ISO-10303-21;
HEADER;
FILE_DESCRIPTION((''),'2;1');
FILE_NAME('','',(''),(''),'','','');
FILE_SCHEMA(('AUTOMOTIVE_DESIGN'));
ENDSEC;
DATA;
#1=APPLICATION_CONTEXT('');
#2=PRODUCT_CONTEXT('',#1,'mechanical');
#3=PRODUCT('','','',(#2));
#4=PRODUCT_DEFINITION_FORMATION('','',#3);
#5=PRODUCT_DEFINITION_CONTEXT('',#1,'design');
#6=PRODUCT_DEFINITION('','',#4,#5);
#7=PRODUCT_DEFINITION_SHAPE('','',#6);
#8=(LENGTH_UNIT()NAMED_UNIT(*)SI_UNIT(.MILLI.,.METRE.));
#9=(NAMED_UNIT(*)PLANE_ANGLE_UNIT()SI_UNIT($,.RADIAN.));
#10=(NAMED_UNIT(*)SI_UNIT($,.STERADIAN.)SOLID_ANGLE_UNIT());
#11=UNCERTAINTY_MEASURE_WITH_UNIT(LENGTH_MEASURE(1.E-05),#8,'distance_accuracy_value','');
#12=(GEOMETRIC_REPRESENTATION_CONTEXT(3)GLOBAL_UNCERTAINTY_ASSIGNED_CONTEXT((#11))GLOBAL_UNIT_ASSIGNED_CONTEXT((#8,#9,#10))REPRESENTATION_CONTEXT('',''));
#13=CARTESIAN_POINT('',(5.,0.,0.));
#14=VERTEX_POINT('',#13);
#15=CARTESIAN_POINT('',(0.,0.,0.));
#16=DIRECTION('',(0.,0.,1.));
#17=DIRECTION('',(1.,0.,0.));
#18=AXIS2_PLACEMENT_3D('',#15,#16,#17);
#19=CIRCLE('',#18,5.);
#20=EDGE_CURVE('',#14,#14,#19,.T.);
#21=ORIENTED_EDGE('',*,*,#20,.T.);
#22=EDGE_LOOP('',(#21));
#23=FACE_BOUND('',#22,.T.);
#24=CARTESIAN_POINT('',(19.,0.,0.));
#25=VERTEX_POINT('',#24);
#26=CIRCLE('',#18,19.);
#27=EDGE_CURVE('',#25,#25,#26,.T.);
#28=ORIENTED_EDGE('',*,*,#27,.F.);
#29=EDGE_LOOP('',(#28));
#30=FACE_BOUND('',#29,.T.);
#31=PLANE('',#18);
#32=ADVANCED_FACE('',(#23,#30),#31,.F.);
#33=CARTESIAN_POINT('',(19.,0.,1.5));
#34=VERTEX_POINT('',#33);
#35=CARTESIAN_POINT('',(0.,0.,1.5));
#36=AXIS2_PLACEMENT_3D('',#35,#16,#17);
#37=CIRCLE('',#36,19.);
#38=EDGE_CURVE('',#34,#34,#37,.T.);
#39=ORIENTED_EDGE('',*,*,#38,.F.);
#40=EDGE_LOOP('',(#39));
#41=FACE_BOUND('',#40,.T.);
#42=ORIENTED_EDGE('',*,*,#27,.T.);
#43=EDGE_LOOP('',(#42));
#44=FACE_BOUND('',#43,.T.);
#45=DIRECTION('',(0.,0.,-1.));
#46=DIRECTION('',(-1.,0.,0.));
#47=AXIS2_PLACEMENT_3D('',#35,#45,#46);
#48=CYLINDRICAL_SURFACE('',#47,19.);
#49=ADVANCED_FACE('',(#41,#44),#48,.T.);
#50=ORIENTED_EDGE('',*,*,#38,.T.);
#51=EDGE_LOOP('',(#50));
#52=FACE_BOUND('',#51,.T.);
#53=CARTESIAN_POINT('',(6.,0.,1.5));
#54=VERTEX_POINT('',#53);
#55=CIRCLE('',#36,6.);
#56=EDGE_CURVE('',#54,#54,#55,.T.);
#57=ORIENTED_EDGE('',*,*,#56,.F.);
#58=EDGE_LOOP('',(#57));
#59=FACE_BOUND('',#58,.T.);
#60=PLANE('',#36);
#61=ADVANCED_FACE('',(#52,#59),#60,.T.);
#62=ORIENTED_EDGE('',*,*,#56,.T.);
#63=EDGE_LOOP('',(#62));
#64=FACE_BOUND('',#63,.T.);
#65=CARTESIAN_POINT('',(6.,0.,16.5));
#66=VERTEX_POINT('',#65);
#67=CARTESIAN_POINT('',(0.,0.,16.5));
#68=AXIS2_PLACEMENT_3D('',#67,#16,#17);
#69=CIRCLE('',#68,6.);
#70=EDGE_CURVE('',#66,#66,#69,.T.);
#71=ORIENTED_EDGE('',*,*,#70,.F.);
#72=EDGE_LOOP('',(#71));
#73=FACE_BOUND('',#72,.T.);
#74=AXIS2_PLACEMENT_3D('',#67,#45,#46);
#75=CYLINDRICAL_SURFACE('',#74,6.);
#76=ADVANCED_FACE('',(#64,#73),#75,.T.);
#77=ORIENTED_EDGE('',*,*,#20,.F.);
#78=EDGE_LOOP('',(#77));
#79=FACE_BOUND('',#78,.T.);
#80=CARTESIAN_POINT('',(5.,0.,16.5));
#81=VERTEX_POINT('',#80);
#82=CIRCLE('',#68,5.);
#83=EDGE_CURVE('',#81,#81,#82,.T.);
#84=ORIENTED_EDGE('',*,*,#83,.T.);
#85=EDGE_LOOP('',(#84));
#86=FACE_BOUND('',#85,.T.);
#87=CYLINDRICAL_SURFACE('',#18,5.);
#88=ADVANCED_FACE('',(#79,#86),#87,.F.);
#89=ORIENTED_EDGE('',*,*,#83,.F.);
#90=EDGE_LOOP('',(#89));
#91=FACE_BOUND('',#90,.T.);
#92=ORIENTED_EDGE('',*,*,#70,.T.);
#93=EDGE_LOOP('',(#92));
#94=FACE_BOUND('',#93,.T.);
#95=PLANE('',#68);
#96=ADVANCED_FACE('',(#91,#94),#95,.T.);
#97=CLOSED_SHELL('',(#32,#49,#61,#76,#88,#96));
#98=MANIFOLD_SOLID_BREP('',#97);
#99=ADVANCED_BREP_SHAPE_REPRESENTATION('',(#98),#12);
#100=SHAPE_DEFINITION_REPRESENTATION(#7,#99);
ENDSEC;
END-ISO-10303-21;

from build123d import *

# Parameters (mm, degrees)
SKETCH1_R               = 19
BOSS_EXTRUDE1_DEPTH     = 1.5
SKETCH2_R               = 6
BOSS_EXTRUDE2_DEPTH     = 15
CUT_EXTRUDE1_DEPTH      = 32.531730051
CUT_EXTRUDE1_DEPTH_BACK = 32.531730051
SKETCH3_R               = 5


with BuildPart() as part:
    # Sketch1 → Boss-Extrude1 (new body)
    with BuildSketch(Plane.XY):
        Circle(SKETCH1_R)
    extrude(amount=BOSS_EXTRUDE1_DEPTH)

    # Sketch2 → Boss-Extrude2 (add)
    with BuildSketch(Plane.XY.offset(1.5)):
        Circle(SKETCH2_R)
    extrude(amount=BOSS_EXTRUDE2_DEPTH)

    # Sketch3 → Cut-Extrude1 (cut, two sides: drawn at the far end of the back side and taken through both)
    with BuildSketch(Plane.XY.offset(16.5).offset(-CUT_EXTRUDE1_DEPTH_BACK)):
        Circle(SKETCH3_R)
    extrude(amount=CUT_EXTRUDE1_DEPTH + CUT_EXTRUDE1_DEPTH_BACK, mode=Mode.SUBTRACT)


solid = part.part
